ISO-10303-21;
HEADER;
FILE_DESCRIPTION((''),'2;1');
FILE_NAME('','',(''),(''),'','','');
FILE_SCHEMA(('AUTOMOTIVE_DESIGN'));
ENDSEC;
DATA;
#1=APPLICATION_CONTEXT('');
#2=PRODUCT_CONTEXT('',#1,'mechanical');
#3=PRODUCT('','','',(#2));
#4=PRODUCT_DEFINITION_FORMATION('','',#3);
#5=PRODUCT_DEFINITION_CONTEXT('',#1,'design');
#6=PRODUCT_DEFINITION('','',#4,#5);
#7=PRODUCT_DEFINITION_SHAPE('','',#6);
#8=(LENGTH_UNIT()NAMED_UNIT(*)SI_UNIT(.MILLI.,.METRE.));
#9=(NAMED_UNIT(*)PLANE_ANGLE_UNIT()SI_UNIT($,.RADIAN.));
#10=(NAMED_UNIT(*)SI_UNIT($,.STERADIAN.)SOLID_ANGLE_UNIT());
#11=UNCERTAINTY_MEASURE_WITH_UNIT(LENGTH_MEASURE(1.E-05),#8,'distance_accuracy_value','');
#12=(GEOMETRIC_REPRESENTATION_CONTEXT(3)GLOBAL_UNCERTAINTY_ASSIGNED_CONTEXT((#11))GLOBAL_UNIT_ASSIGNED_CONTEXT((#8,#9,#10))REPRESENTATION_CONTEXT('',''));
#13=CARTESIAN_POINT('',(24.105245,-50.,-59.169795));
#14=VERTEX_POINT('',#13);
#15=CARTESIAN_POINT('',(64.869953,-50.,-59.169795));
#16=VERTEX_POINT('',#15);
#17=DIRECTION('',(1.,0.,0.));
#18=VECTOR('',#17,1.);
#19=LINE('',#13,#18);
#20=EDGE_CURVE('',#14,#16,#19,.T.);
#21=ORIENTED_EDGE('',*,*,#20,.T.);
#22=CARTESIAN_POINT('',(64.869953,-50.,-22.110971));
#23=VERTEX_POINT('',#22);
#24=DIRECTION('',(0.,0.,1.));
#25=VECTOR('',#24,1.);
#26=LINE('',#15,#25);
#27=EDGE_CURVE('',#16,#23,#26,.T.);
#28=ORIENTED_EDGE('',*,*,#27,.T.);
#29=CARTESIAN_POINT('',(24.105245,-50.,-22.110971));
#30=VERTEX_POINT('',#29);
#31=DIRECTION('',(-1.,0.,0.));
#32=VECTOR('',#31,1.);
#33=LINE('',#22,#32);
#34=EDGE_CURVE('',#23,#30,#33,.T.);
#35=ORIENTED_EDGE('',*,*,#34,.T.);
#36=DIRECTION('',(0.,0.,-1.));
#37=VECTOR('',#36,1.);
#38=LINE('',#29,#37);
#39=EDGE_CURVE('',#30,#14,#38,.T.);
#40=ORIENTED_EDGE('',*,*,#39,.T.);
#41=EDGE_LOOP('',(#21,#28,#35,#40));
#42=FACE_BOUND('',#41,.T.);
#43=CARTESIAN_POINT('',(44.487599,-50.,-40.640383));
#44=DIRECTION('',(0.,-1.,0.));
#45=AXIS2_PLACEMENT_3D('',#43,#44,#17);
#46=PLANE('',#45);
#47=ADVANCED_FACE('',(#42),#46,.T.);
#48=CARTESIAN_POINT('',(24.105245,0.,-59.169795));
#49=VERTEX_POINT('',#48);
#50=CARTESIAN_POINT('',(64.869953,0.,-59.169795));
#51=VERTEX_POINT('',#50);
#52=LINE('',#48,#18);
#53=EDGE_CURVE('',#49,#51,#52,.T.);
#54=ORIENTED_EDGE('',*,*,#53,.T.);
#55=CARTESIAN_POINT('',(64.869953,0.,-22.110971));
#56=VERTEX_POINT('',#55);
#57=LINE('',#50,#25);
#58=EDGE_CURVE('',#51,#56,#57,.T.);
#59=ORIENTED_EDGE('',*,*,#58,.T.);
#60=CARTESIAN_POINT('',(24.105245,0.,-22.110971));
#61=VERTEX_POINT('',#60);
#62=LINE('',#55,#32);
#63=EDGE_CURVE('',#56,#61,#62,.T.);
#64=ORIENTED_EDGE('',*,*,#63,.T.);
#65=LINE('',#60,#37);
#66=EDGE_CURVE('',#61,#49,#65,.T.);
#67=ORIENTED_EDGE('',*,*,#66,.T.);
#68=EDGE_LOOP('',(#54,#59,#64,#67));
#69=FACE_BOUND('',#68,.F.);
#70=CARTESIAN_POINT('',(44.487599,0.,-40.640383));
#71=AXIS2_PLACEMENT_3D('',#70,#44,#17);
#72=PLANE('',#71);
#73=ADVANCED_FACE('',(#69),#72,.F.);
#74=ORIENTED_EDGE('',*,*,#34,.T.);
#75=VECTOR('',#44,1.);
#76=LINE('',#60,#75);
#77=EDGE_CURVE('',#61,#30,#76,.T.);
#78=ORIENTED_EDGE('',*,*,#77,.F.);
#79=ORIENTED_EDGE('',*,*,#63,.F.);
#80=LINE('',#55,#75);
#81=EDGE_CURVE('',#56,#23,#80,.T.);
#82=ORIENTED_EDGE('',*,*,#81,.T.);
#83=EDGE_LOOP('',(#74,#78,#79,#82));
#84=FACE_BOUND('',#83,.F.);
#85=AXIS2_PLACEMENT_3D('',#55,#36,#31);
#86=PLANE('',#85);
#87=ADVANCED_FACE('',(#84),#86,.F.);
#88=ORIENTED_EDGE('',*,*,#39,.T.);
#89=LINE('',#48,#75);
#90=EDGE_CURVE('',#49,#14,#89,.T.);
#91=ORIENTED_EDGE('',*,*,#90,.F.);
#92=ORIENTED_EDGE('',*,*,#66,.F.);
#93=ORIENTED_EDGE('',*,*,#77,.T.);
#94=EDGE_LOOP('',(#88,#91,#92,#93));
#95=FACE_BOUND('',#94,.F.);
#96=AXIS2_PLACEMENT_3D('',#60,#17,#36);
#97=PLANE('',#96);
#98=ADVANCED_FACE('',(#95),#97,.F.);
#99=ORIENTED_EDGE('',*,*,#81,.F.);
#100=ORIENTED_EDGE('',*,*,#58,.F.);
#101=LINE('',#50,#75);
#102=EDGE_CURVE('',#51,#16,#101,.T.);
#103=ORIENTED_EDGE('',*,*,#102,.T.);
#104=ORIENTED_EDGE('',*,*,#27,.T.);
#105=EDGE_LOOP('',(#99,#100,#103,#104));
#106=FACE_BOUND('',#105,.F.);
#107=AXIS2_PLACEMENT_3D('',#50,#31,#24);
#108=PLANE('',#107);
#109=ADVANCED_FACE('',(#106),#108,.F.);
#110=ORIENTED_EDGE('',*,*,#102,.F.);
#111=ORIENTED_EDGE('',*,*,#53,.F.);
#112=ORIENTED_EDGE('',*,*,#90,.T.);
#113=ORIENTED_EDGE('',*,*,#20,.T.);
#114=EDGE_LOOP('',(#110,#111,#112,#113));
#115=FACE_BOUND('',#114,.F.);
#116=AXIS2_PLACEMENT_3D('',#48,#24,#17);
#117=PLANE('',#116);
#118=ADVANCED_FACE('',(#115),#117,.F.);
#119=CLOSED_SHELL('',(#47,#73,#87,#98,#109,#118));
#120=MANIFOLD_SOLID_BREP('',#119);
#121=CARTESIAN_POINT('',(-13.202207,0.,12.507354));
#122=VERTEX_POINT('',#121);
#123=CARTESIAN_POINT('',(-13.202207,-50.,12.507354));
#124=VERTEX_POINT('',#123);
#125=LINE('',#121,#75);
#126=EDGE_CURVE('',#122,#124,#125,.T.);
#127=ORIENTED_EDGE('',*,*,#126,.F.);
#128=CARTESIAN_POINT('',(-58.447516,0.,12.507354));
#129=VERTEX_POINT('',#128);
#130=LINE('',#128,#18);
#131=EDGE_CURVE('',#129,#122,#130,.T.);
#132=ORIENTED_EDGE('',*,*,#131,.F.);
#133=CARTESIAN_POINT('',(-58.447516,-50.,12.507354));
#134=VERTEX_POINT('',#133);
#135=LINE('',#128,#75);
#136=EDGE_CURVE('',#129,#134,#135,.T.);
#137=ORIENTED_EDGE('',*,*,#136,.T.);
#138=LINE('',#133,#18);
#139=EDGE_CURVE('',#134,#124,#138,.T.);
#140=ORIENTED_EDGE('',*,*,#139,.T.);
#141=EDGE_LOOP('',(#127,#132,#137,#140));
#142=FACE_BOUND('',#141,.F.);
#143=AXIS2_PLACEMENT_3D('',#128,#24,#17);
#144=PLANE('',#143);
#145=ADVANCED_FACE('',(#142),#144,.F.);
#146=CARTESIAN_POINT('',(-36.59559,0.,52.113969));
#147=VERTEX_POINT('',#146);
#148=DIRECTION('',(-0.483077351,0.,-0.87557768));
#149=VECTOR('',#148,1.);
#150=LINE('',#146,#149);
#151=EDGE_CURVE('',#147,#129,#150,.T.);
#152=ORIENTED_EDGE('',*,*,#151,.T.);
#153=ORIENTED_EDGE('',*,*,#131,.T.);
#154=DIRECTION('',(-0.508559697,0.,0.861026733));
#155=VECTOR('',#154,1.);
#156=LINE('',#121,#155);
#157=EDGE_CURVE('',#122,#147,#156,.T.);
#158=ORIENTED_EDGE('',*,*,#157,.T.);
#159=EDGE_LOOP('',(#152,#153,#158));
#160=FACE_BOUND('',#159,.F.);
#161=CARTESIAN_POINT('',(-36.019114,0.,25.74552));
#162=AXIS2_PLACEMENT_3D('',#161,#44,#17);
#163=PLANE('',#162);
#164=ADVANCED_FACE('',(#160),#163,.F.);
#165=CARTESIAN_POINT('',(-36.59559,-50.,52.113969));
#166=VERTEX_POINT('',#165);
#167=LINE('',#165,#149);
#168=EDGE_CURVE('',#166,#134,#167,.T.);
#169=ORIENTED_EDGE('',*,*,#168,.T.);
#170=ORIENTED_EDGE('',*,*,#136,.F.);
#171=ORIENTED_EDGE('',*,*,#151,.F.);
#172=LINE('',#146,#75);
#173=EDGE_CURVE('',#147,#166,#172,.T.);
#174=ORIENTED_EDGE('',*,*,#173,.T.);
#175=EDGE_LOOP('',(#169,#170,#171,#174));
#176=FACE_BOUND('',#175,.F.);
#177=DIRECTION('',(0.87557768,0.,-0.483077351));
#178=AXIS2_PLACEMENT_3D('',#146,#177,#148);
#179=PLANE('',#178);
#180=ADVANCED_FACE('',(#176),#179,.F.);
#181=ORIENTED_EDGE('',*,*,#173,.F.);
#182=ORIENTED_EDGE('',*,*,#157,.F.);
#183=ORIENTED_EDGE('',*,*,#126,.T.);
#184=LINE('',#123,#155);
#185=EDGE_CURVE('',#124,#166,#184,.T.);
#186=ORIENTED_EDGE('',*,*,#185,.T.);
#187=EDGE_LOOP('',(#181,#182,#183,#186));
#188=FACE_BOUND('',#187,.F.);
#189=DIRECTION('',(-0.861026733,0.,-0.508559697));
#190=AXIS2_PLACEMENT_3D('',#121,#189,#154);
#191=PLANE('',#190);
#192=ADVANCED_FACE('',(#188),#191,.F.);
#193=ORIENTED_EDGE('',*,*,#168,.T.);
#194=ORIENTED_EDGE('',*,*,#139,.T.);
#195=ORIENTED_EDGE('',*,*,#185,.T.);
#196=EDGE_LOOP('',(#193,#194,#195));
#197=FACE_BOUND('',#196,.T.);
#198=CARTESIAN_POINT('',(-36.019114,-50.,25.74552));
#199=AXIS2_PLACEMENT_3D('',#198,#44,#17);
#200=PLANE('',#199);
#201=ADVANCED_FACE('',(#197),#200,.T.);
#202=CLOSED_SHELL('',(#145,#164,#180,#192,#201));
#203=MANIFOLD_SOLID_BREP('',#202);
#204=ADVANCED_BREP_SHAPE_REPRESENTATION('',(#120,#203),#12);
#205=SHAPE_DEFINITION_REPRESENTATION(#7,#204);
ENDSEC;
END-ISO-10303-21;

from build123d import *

# Parameters (mm, degrees)
F1_DEPTH = 50


with BuildPart() as f1:
    # F0 (on Front) → F1 (new body)
    with BuildSketch(Plane.XZ):
        Polygon((-36.59559, 52.113969), (-58.447516, 12.507354), (-13.202207, 12.507354), align=None)
        Polygon((24.105245, -59.169795), (64.869953, -59.169795), (64.869953, -22.110971), (58.847902, -22.110971), (24.105245, -22.110971), align=None)
    extrude(amount=F1_DEPTH)


solid = f1.part
